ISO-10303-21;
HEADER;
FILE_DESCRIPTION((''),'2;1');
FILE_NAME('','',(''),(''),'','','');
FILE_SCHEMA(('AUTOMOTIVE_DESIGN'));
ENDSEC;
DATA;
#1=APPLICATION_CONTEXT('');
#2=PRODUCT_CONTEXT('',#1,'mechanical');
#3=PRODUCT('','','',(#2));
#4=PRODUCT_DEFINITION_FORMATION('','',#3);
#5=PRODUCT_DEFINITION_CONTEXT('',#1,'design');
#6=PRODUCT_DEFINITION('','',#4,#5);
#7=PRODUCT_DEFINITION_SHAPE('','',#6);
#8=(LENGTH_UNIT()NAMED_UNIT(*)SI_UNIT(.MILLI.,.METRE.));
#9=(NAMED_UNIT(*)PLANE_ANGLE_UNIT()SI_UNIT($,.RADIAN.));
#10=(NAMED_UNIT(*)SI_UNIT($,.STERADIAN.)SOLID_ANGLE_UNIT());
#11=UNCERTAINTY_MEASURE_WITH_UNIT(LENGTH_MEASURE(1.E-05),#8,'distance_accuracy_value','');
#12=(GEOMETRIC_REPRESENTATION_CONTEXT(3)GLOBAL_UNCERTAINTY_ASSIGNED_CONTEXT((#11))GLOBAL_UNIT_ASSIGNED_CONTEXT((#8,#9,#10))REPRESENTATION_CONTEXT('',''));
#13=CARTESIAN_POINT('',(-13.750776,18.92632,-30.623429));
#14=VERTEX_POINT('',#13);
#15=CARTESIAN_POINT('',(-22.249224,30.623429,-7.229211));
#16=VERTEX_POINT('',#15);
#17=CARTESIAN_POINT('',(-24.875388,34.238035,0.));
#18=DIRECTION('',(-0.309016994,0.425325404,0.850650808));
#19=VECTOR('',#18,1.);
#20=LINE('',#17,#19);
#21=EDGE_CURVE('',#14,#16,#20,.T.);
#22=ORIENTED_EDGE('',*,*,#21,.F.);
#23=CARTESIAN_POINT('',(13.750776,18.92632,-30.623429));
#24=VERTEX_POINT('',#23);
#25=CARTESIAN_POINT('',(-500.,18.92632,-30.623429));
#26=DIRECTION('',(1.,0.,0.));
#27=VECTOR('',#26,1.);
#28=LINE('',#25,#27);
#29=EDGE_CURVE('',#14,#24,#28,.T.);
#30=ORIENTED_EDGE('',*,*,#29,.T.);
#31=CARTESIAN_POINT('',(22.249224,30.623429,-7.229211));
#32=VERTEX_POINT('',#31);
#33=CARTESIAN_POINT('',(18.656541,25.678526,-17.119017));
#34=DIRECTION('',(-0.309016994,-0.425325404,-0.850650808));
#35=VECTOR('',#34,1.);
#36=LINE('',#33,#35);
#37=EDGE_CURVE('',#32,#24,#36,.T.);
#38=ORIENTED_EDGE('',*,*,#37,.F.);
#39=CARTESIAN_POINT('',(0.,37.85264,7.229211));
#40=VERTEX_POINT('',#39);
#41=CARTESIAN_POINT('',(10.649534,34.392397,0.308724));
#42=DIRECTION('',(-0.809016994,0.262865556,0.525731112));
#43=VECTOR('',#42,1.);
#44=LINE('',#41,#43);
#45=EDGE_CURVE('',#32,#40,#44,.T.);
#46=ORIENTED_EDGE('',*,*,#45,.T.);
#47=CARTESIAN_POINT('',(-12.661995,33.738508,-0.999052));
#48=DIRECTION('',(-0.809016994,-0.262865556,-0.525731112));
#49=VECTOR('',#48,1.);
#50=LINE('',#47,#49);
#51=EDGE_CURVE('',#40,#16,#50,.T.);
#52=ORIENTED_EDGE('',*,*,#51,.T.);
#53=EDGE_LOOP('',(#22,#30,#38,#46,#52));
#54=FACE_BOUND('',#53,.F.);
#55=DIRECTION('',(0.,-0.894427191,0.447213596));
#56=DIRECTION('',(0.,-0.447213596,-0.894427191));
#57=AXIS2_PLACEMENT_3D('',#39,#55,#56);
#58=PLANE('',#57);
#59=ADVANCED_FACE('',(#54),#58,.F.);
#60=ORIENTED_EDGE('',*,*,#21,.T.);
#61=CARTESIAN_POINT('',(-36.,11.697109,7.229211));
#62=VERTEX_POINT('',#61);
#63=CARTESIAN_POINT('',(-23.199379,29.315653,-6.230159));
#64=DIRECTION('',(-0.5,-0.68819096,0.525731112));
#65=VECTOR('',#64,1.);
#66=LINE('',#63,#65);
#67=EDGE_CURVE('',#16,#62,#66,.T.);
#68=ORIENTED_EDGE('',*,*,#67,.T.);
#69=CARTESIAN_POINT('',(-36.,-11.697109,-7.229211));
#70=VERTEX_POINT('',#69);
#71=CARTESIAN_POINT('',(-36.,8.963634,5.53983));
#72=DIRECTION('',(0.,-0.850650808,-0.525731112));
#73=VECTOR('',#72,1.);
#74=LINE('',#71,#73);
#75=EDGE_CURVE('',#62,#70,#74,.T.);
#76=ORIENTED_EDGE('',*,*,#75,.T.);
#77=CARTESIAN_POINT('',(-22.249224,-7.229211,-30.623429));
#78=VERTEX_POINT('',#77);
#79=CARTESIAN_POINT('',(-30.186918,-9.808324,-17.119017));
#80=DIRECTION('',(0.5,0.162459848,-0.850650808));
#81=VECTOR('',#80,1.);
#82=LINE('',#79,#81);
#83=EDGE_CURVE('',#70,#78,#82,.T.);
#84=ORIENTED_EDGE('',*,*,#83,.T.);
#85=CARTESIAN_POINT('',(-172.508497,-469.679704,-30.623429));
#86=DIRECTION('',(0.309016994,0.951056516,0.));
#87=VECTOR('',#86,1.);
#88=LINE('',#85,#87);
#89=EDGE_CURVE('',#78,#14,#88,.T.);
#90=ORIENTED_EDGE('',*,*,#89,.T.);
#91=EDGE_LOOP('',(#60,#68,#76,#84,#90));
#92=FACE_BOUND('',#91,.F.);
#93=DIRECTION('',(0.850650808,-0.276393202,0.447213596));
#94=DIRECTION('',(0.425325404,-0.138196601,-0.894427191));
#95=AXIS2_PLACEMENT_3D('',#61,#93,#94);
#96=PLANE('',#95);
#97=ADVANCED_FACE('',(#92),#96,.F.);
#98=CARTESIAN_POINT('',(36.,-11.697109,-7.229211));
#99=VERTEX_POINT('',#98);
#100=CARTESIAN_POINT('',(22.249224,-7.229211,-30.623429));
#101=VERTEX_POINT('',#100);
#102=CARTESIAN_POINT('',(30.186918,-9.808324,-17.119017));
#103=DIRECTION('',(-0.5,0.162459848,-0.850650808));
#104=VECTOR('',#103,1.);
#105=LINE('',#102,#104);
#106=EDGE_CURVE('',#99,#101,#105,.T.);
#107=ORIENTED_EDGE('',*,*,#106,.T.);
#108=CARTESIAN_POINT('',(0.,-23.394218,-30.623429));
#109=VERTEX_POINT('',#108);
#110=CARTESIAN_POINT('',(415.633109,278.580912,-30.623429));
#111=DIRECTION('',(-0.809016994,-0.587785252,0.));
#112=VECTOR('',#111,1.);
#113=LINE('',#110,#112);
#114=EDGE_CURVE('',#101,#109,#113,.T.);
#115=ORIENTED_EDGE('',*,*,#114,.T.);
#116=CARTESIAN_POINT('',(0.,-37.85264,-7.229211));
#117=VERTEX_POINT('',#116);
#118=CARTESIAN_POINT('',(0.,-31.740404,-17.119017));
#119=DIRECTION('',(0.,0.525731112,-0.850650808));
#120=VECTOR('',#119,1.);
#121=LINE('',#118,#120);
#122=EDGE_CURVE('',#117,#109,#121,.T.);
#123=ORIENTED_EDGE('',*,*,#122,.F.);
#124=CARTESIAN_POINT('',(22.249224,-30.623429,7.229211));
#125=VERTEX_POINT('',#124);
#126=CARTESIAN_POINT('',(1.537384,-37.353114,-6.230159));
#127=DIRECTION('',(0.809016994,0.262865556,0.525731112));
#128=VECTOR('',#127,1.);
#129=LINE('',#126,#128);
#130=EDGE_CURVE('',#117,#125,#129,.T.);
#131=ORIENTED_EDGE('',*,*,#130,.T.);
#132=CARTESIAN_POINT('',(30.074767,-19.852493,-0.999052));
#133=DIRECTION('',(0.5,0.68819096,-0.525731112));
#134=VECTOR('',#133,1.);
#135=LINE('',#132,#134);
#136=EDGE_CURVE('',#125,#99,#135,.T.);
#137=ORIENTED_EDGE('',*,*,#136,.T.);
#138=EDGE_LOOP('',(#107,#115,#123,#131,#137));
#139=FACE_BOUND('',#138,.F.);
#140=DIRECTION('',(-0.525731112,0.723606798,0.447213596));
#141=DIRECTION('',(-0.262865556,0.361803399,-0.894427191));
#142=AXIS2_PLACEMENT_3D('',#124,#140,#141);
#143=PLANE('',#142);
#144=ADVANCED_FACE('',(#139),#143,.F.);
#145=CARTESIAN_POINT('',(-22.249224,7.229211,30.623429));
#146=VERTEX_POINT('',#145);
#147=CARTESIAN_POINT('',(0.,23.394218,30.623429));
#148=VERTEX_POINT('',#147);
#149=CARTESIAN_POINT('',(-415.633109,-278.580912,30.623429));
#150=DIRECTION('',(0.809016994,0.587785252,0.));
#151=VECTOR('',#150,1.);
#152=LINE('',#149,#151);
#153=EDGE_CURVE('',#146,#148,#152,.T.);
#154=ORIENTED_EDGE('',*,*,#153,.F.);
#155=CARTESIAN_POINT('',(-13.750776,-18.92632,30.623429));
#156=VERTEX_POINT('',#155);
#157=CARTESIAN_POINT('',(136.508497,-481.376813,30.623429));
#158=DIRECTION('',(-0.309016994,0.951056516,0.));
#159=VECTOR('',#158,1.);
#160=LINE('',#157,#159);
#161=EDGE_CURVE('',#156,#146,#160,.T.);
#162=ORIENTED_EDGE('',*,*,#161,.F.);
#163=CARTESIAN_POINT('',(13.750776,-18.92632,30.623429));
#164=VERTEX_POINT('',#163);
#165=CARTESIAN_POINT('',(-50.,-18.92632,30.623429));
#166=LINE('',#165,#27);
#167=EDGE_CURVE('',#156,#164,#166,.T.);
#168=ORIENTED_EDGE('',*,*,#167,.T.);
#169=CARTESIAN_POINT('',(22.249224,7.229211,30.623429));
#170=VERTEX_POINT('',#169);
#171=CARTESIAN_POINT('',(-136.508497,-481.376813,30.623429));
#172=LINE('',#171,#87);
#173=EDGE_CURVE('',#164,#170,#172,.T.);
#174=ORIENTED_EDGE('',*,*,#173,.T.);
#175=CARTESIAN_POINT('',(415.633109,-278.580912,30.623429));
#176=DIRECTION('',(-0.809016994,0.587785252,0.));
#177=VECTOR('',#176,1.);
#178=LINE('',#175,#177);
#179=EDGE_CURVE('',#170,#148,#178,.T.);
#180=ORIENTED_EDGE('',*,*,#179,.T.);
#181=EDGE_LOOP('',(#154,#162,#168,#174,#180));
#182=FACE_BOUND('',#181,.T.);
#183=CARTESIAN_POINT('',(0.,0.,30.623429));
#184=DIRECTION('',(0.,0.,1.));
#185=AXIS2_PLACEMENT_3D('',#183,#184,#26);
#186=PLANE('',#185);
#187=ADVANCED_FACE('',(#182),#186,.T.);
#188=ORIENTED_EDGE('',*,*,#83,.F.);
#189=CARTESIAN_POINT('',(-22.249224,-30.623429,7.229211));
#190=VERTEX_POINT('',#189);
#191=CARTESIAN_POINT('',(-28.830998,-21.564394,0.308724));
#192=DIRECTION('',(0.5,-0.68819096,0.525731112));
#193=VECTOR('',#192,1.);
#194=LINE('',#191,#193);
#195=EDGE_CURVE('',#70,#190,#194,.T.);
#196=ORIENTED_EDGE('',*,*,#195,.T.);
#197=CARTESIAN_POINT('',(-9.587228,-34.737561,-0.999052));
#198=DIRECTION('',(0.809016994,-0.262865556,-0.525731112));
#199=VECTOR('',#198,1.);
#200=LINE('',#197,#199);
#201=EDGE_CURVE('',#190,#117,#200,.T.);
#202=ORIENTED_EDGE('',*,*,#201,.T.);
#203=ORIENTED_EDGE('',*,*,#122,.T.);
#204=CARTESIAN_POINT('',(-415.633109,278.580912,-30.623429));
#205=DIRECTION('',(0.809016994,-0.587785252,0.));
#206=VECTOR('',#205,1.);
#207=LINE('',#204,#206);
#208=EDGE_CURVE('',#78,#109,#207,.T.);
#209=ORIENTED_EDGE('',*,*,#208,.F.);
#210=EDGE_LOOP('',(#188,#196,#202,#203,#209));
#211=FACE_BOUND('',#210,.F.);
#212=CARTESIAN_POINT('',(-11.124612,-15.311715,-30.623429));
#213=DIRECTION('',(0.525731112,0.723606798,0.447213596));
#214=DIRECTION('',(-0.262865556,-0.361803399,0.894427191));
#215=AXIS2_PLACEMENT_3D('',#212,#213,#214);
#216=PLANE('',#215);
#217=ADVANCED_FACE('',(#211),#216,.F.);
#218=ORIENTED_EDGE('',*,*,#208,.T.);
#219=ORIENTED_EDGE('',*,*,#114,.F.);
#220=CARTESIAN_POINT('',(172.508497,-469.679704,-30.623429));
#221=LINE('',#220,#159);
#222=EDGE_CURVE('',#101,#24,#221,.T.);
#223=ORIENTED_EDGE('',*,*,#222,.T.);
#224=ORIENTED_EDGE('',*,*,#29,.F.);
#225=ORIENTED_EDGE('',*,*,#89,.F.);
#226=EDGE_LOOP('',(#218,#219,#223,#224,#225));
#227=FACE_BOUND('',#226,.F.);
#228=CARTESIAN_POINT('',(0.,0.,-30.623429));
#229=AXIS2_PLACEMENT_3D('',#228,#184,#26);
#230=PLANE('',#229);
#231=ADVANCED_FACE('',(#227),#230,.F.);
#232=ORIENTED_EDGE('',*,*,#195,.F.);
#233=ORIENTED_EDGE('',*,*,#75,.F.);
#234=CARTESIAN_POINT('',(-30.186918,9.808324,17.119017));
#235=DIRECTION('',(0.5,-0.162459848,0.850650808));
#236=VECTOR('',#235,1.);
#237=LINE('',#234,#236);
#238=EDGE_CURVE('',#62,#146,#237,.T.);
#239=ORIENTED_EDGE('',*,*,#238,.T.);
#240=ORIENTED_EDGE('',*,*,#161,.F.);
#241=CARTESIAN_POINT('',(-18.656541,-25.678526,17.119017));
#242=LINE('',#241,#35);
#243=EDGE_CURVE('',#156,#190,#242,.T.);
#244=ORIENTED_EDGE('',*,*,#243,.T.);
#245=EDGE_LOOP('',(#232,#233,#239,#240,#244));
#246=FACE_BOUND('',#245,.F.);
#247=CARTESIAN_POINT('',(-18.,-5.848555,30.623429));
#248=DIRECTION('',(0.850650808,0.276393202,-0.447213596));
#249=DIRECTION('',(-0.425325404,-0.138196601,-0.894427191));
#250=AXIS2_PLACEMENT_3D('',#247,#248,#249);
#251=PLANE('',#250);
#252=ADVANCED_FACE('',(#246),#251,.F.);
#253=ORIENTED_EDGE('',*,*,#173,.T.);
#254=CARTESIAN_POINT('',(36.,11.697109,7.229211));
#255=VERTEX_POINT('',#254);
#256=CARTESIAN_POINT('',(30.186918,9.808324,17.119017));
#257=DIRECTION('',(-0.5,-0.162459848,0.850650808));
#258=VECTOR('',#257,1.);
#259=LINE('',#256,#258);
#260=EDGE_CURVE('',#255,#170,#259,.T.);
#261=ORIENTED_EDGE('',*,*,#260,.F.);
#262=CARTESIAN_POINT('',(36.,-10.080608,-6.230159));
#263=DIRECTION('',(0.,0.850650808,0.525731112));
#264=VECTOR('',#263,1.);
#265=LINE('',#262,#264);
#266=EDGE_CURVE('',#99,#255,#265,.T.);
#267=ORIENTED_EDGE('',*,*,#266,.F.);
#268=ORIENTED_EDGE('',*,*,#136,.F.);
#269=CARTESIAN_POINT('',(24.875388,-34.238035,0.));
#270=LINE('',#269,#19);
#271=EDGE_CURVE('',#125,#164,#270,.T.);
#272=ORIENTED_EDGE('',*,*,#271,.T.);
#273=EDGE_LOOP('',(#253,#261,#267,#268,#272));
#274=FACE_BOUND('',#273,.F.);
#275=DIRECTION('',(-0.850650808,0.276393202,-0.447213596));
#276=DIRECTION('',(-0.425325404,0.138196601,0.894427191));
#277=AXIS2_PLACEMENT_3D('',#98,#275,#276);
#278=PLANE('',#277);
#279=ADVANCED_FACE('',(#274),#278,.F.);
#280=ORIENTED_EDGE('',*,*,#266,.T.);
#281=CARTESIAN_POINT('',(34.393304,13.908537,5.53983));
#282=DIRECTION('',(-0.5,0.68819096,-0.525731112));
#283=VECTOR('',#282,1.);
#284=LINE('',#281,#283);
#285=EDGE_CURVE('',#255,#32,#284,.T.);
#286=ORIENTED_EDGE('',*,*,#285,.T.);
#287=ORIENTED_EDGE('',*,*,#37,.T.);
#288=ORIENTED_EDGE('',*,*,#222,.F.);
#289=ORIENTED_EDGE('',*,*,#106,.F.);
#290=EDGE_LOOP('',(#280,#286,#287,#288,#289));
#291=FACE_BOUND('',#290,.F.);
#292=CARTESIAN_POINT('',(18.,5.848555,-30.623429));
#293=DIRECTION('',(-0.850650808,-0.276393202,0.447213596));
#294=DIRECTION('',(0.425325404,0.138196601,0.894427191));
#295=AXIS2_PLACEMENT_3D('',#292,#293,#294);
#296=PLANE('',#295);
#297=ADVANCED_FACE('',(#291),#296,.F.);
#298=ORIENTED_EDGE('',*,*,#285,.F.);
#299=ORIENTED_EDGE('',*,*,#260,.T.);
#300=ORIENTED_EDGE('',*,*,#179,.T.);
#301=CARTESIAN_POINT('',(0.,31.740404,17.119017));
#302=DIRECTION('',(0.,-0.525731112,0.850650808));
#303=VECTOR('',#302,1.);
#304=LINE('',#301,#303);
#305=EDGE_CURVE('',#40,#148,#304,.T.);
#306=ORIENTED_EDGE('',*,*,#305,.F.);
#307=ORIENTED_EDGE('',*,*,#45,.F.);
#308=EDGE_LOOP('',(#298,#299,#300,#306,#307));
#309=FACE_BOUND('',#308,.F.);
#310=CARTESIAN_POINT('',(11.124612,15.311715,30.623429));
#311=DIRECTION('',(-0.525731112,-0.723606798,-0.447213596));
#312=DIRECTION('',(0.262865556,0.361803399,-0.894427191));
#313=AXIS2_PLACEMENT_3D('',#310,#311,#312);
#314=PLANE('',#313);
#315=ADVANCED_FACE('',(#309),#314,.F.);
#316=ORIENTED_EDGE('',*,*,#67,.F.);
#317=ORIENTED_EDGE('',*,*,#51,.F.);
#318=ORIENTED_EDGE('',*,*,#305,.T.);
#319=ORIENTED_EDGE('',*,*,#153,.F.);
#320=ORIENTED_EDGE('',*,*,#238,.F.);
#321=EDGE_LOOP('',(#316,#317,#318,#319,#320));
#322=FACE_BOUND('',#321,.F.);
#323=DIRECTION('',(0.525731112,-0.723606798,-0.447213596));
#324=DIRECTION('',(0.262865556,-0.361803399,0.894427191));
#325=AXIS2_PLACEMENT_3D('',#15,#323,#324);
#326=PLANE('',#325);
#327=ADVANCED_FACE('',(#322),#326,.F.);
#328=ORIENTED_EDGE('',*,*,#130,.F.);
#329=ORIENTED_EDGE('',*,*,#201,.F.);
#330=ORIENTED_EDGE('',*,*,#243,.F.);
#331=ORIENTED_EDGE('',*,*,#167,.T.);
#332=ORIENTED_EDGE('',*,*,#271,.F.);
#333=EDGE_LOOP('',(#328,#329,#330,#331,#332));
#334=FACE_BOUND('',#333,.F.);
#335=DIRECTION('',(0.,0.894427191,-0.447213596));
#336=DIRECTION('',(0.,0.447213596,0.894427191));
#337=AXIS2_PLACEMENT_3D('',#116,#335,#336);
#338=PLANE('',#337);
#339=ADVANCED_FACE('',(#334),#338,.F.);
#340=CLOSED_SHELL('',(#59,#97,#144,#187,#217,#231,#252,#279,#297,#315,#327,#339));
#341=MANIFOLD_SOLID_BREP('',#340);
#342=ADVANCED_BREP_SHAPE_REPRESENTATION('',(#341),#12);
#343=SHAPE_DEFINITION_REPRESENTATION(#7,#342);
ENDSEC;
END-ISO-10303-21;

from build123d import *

# Parameters (mm, degrees)
F1_DEPTH  = 30.6234291007
F13_DEPTH = 50
F14_DEPTH = 500
F15_DEPTH = 500
F16_DEPTH = 500
F17_DEPTH = 500
F24_DEPTH = 500
F25_DEPTH = 500
F26_DEPTH = 500
F27_DEPTH = 500
F28_DEPTH = 500


with BuildPart() as f1:
    # F0 (on Top) → F1 (new body, symmetric)
    with BuildSketch(Plane.XY):
        Polygon((-36, 11.6971090644), (-36, -11.6971090644), (-22.249223595, -30.6234291007), (0, -37.8526400726), (22.249223595, -30.6234291007), (36, -11.6971090644), (36, 11.6971090644), (22.249223595, 30.6234291007), (0, 37.8526400726), (-22.249223595, 30.6234291007), align=None)
    extrude(amount=F1_DEPTH, both=True)

    # F3 (on Right) → F13 (cut, symmetric)
    with BuildSketch(Plane.YZ):
        Polygon((-37.8526400726, -7.2292109719), (-18.9263200363, 30.6234291007), (-37.8526400726, 30.6234291007), align=None)
    extrude(amount=F13_DEPTH, both=True, mode=Mode.SUBTRACT)

    # F6 (on face) → F14 (cut, symmetric)
    with BuildSketch(Plane(origin=(0, 0, 0), x_dir=(-0.9510565163, 0.3090169944, 0), z_dir=(0.3090169944, 0.9510565163, 0))):
        Polygon((-37.8526400726, -7.2292109719), (-18.9263200363, 30.6234291007), (-37.8526400726, 30.6234291007), align=None)
    extrude(amount=F14_DEPTH, both=True, mode=Mode.SUBTRACT)

    # F8 (on face) → F15 (cut, symmetric)
    with BuildSketch(Plane(origin=(0, 0, 0), x_dir=(0.5877852523, 0.8090169944, 0), z_dir=(0.8090169944, -0.5877852523, 0))):
        Polygon((37.8526400726, -7.2292109719), (37.8526400726, 30.6234291007), (18.9263200363, 30.6234291007), align=None)
    extrude(amount=F15_DEPTH, both=True, mode=Mode.SUBTRACT)

    # F10 (on face) → F16 (cut, symmetric)
    with BuildSketch(Plane(origin=(0, 0, 0), x_dir=(0.5877852523, -0.8090169944, 0), z_dir=(-0.8090169944, -0.5877852523, 0))):
        Polygon((-18.9263200363, 30.6234291007), (-37.8526400726, 30.6234291007), (-37.8526400726, -7.2292109719), align=None)
    extrude(amount=F16_DEPTH, both=True, mode=Mode.SUBTRACT)

    # F12 (on face) → F17 (cut, symmetric)
    with BuildSketch(Plane(origin=(0, 0, 0), x_dir=(-0.9510565163, -0.3090169944, 0), z_dir=(-0.3090169944, 0.9510565163, 0))):
        Polygon((37.8526400726, 26.069773404), (37.8526400726, 30.6234291007), (18.9263200363, 30.6234291007), (37.8526400726, -7.2292109719), align=None)
    extrude(amount=F17_DEPTH, both=True, mode=Mode.SUBTRACT)

    # F19 (on Right) → F24 (cut, symmetric)
    with BuildSketch(Plane.YZ):
        Polygon((37.8526400726, 7.2292109719), (18.9263200363, -30.6234291007), (37.8526400726, -30.6234291007), align=None)
    extrude(amount=F24_DEPTH, both=True, mode=Mode.SUBTRACT)

    # F20 (on face) → F25 (cut, symmetric)
    with BuildSketch(Plane(origin=(0, 0, 0), x_dir=(-0.9510565163, -0.3090169944, 0), z_dir=(-0.3090169944, 0.9510565163, 0))):
        Polygon((-37.8526400726, -30.6234291007), (-18.9263200363, -30.6234291007), (-37.8526400726, 7.2292109719), align=None)
    extrude(amount=F25_DEPTH, both=True, mode=Mode.SUBTRACT)

    # F21 (on face) → F26 (cut, symmetric)
    with BuildSketch(Plane(origin=(0, 0, 0), x_dir=(0.5877852523, -0.8090169944, 0), z_dir=(-0.8090169944, -0.5877852523, 0))):
        Polygon((37.8526400726, 7.2292109719), (18.9263200363, -30.6234291007), (37.8526400726, -30.6234291007), align=None)
    extrude(amount=F26_DEPTH, both=True, mode=Mode.SUBTRACT)

    # F22 (on face) → F27 (cut, symmetric)
    with BuildSketch(Plane(origin=(0, 0, 0), x_dir=(0.5877852523, 0.8090169944, 0), z_dir=(0.8090169944, -0.5877852523, 0))):
        Polygon((-37.8526400726, -30.6234291007), (-18.9263200363, -30.6234291007), (-37.8526400726, 7.2292109719), align=None)
    extrude(amount=F27_DEPTH, both=True, mode=Mode.SUBTRACT)

    # F23 (on face) → F28 (cut, symmetric)
    with BuildSketch(Plane(origin=(0, 0, 0), x_dir=(-0.9510565163, 0.3090169944, 0), z_dir=(0.3090169944, 0.9510565163, 0))):
        Polygon((37.8526400726, 7.2292109719), (18.9263200363, -30.6234291007), (37.8526400726, -30.6234291007), align=None)
    extrude(amount=F28_DEPTH, both=True, mode=Mode.SUBTRACT)


solid = f1.part
